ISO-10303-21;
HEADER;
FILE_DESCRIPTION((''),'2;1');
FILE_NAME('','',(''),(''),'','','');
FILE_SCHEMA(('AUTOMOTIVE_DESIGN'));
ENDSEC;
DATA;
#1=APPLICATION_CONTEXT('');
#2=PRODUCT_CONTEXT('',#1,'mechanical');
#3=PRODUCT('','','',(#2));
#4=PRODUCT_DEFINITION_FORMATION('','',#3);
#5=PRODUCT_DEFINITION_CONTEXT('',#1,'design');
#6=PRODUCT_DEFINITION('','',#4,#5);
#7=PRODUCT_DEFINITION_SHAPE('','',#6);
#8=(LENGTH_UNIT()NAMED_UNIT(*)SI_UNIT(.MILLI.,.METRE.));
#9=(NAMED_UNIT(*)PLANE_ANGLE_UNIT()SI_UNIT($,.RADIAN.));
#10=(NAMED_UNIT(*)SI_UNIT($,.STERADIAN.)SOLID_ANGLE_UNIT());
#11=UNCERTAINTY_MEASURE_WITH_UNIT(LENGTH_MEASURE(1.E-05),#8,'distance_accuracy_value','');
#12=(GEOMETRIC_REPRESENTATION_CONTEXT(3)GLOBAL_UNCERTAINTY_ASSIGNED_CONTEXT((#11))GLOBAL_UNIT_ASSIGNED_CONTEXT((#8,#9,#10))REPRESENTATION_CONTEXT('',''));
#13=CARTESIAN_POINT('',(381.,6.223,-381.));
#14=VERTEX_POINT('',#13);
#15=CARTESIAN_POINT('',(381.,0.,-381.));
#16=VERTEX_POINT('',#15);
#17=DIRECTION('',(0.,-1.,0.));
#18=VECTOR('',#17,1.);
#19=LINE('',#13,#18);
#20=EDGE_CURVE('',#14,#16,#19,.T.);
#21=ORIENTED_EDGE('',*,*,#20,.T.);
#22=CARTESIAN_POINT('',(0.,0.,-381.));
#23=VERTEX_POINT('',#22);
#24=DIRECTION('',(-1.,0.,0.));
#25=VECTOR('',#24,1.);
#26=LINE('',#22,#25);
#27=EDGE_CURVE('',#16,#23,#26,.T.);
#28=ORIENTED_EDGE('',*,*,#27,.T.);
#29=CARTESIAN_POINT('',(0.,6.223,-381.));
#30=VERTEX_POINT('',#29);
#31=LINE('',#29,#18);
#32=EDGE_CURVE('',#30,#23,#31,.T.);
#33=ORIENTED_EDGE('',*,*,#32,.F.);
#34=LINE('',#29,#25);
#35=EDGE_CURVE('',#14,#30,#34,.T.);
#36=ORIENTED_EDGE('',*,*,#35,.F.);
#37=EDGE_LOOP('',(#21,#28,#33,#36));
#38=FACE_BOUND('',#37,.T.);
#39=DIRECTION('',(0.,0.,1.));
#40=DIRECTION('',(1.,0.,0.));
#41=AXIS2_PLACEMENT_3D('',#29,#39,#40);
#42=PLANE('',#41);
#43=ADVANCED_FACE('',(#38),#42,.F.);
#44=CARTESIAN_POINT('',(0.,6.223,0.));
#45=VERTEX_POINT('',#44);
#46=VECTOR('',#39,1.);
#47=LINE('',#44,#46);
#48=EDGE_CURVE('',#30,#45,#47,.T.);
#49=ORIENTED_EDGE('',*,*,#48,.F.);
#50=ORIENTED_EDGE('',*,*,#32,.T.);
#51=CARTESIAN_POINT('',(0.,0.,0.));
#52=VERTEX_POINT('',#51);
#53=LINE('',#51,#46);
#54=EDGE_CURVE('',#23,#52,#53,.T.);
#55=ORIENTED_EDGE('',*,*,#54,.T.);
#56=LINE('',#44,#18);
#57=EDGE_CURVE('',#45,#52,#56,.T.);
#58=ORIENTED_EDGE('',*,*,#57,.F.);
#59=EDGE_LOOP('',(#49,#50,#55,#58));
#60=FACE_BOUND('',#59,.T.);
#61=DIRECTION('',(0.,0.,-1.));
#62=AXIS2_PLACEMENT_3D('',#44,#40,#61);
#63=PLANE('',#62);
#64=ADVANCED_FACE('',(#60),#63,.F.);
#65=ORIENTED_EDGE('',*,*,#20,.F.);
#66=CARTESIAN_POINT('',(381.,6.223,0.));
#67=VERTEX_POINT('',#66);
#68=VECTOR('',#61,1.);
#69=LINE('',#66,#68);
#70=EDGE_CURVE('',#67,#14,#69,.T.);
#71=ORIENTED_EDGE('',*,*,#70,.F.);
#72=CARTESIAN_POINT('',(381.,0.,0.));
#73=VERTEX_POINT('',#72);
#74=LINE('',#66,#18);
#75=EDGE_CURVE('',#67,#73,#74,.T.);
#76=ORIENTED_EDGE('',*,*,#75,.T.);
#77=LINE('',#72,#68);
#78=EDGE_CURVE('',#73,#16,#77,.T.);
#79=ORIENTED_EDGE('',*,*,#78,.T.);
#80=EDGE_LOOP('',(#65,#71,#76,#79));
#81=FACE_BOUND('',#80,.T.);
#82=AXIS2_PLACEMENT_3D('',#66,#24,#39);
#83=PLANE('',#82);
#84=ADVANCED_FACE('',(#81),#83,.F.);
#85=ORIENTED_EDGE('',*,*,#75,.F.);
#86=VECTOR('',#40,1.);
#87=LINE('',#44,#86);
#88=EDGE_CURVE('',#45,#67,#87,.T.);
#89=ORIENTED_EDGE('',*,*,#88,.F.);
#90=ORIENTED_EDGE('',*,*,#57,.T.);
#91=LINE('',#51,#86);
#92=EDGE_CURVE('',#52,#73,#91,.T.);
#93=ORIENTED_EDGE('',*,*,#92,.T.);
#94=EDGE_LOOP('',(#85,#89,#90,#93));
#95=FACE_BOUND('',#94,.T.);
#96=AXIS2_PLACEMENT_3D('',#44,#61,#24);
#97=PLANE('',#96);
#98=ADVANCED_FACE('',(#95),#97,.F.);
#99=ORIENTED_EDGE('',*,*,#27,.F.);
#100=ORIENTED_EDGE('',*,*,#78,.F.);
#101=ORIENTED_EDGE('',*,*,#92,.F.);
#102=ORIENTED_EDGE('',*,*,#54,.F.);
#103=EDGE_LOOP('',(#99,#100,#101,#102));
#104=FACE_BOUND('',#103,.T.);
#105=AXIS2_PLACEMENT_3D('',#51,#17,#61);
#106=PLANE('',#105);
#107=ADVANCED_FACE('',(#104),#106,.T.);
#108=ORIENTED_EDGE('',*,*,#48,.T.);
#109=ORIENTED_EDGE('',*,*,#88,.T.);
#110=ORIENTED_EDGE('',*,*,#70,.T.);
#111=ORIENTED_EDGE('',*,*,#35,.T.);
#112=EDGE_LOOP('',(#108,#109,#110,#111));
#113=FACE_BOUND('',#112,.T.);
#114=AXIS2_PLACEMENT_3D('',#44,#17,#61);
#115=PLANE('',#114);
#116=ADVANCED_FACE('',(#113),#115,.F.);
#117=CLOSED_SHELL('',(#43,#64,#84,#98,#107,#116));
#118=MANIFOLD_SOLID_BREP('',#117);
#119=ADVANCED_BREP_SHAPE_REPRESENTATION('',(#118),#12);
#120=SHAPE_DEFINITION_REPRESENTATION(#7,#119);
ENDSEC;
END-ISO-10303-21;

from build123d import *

# Parameters (mm, degrees)
SKETCH1_W           = 381
SKETCH1_H           = 381
BOSS_EXTRUDE1_DEPTH = 6.223


with BuildPart() as part:
    # Sketch1 → Boss-Extrude1 (new body)
    with BuildSketch(Plane(origin=(0, 0, 0), x_dir=(1, 0, 0), z_dir=(0, 1, 0))):
        with Locations((190.5, 190.5)):
            Rectangle(SKETCH1_W, SKETCH1_H)
    extrude(amount=BOSS_EXTRUDE1_DEPTH)


solid = part.part
